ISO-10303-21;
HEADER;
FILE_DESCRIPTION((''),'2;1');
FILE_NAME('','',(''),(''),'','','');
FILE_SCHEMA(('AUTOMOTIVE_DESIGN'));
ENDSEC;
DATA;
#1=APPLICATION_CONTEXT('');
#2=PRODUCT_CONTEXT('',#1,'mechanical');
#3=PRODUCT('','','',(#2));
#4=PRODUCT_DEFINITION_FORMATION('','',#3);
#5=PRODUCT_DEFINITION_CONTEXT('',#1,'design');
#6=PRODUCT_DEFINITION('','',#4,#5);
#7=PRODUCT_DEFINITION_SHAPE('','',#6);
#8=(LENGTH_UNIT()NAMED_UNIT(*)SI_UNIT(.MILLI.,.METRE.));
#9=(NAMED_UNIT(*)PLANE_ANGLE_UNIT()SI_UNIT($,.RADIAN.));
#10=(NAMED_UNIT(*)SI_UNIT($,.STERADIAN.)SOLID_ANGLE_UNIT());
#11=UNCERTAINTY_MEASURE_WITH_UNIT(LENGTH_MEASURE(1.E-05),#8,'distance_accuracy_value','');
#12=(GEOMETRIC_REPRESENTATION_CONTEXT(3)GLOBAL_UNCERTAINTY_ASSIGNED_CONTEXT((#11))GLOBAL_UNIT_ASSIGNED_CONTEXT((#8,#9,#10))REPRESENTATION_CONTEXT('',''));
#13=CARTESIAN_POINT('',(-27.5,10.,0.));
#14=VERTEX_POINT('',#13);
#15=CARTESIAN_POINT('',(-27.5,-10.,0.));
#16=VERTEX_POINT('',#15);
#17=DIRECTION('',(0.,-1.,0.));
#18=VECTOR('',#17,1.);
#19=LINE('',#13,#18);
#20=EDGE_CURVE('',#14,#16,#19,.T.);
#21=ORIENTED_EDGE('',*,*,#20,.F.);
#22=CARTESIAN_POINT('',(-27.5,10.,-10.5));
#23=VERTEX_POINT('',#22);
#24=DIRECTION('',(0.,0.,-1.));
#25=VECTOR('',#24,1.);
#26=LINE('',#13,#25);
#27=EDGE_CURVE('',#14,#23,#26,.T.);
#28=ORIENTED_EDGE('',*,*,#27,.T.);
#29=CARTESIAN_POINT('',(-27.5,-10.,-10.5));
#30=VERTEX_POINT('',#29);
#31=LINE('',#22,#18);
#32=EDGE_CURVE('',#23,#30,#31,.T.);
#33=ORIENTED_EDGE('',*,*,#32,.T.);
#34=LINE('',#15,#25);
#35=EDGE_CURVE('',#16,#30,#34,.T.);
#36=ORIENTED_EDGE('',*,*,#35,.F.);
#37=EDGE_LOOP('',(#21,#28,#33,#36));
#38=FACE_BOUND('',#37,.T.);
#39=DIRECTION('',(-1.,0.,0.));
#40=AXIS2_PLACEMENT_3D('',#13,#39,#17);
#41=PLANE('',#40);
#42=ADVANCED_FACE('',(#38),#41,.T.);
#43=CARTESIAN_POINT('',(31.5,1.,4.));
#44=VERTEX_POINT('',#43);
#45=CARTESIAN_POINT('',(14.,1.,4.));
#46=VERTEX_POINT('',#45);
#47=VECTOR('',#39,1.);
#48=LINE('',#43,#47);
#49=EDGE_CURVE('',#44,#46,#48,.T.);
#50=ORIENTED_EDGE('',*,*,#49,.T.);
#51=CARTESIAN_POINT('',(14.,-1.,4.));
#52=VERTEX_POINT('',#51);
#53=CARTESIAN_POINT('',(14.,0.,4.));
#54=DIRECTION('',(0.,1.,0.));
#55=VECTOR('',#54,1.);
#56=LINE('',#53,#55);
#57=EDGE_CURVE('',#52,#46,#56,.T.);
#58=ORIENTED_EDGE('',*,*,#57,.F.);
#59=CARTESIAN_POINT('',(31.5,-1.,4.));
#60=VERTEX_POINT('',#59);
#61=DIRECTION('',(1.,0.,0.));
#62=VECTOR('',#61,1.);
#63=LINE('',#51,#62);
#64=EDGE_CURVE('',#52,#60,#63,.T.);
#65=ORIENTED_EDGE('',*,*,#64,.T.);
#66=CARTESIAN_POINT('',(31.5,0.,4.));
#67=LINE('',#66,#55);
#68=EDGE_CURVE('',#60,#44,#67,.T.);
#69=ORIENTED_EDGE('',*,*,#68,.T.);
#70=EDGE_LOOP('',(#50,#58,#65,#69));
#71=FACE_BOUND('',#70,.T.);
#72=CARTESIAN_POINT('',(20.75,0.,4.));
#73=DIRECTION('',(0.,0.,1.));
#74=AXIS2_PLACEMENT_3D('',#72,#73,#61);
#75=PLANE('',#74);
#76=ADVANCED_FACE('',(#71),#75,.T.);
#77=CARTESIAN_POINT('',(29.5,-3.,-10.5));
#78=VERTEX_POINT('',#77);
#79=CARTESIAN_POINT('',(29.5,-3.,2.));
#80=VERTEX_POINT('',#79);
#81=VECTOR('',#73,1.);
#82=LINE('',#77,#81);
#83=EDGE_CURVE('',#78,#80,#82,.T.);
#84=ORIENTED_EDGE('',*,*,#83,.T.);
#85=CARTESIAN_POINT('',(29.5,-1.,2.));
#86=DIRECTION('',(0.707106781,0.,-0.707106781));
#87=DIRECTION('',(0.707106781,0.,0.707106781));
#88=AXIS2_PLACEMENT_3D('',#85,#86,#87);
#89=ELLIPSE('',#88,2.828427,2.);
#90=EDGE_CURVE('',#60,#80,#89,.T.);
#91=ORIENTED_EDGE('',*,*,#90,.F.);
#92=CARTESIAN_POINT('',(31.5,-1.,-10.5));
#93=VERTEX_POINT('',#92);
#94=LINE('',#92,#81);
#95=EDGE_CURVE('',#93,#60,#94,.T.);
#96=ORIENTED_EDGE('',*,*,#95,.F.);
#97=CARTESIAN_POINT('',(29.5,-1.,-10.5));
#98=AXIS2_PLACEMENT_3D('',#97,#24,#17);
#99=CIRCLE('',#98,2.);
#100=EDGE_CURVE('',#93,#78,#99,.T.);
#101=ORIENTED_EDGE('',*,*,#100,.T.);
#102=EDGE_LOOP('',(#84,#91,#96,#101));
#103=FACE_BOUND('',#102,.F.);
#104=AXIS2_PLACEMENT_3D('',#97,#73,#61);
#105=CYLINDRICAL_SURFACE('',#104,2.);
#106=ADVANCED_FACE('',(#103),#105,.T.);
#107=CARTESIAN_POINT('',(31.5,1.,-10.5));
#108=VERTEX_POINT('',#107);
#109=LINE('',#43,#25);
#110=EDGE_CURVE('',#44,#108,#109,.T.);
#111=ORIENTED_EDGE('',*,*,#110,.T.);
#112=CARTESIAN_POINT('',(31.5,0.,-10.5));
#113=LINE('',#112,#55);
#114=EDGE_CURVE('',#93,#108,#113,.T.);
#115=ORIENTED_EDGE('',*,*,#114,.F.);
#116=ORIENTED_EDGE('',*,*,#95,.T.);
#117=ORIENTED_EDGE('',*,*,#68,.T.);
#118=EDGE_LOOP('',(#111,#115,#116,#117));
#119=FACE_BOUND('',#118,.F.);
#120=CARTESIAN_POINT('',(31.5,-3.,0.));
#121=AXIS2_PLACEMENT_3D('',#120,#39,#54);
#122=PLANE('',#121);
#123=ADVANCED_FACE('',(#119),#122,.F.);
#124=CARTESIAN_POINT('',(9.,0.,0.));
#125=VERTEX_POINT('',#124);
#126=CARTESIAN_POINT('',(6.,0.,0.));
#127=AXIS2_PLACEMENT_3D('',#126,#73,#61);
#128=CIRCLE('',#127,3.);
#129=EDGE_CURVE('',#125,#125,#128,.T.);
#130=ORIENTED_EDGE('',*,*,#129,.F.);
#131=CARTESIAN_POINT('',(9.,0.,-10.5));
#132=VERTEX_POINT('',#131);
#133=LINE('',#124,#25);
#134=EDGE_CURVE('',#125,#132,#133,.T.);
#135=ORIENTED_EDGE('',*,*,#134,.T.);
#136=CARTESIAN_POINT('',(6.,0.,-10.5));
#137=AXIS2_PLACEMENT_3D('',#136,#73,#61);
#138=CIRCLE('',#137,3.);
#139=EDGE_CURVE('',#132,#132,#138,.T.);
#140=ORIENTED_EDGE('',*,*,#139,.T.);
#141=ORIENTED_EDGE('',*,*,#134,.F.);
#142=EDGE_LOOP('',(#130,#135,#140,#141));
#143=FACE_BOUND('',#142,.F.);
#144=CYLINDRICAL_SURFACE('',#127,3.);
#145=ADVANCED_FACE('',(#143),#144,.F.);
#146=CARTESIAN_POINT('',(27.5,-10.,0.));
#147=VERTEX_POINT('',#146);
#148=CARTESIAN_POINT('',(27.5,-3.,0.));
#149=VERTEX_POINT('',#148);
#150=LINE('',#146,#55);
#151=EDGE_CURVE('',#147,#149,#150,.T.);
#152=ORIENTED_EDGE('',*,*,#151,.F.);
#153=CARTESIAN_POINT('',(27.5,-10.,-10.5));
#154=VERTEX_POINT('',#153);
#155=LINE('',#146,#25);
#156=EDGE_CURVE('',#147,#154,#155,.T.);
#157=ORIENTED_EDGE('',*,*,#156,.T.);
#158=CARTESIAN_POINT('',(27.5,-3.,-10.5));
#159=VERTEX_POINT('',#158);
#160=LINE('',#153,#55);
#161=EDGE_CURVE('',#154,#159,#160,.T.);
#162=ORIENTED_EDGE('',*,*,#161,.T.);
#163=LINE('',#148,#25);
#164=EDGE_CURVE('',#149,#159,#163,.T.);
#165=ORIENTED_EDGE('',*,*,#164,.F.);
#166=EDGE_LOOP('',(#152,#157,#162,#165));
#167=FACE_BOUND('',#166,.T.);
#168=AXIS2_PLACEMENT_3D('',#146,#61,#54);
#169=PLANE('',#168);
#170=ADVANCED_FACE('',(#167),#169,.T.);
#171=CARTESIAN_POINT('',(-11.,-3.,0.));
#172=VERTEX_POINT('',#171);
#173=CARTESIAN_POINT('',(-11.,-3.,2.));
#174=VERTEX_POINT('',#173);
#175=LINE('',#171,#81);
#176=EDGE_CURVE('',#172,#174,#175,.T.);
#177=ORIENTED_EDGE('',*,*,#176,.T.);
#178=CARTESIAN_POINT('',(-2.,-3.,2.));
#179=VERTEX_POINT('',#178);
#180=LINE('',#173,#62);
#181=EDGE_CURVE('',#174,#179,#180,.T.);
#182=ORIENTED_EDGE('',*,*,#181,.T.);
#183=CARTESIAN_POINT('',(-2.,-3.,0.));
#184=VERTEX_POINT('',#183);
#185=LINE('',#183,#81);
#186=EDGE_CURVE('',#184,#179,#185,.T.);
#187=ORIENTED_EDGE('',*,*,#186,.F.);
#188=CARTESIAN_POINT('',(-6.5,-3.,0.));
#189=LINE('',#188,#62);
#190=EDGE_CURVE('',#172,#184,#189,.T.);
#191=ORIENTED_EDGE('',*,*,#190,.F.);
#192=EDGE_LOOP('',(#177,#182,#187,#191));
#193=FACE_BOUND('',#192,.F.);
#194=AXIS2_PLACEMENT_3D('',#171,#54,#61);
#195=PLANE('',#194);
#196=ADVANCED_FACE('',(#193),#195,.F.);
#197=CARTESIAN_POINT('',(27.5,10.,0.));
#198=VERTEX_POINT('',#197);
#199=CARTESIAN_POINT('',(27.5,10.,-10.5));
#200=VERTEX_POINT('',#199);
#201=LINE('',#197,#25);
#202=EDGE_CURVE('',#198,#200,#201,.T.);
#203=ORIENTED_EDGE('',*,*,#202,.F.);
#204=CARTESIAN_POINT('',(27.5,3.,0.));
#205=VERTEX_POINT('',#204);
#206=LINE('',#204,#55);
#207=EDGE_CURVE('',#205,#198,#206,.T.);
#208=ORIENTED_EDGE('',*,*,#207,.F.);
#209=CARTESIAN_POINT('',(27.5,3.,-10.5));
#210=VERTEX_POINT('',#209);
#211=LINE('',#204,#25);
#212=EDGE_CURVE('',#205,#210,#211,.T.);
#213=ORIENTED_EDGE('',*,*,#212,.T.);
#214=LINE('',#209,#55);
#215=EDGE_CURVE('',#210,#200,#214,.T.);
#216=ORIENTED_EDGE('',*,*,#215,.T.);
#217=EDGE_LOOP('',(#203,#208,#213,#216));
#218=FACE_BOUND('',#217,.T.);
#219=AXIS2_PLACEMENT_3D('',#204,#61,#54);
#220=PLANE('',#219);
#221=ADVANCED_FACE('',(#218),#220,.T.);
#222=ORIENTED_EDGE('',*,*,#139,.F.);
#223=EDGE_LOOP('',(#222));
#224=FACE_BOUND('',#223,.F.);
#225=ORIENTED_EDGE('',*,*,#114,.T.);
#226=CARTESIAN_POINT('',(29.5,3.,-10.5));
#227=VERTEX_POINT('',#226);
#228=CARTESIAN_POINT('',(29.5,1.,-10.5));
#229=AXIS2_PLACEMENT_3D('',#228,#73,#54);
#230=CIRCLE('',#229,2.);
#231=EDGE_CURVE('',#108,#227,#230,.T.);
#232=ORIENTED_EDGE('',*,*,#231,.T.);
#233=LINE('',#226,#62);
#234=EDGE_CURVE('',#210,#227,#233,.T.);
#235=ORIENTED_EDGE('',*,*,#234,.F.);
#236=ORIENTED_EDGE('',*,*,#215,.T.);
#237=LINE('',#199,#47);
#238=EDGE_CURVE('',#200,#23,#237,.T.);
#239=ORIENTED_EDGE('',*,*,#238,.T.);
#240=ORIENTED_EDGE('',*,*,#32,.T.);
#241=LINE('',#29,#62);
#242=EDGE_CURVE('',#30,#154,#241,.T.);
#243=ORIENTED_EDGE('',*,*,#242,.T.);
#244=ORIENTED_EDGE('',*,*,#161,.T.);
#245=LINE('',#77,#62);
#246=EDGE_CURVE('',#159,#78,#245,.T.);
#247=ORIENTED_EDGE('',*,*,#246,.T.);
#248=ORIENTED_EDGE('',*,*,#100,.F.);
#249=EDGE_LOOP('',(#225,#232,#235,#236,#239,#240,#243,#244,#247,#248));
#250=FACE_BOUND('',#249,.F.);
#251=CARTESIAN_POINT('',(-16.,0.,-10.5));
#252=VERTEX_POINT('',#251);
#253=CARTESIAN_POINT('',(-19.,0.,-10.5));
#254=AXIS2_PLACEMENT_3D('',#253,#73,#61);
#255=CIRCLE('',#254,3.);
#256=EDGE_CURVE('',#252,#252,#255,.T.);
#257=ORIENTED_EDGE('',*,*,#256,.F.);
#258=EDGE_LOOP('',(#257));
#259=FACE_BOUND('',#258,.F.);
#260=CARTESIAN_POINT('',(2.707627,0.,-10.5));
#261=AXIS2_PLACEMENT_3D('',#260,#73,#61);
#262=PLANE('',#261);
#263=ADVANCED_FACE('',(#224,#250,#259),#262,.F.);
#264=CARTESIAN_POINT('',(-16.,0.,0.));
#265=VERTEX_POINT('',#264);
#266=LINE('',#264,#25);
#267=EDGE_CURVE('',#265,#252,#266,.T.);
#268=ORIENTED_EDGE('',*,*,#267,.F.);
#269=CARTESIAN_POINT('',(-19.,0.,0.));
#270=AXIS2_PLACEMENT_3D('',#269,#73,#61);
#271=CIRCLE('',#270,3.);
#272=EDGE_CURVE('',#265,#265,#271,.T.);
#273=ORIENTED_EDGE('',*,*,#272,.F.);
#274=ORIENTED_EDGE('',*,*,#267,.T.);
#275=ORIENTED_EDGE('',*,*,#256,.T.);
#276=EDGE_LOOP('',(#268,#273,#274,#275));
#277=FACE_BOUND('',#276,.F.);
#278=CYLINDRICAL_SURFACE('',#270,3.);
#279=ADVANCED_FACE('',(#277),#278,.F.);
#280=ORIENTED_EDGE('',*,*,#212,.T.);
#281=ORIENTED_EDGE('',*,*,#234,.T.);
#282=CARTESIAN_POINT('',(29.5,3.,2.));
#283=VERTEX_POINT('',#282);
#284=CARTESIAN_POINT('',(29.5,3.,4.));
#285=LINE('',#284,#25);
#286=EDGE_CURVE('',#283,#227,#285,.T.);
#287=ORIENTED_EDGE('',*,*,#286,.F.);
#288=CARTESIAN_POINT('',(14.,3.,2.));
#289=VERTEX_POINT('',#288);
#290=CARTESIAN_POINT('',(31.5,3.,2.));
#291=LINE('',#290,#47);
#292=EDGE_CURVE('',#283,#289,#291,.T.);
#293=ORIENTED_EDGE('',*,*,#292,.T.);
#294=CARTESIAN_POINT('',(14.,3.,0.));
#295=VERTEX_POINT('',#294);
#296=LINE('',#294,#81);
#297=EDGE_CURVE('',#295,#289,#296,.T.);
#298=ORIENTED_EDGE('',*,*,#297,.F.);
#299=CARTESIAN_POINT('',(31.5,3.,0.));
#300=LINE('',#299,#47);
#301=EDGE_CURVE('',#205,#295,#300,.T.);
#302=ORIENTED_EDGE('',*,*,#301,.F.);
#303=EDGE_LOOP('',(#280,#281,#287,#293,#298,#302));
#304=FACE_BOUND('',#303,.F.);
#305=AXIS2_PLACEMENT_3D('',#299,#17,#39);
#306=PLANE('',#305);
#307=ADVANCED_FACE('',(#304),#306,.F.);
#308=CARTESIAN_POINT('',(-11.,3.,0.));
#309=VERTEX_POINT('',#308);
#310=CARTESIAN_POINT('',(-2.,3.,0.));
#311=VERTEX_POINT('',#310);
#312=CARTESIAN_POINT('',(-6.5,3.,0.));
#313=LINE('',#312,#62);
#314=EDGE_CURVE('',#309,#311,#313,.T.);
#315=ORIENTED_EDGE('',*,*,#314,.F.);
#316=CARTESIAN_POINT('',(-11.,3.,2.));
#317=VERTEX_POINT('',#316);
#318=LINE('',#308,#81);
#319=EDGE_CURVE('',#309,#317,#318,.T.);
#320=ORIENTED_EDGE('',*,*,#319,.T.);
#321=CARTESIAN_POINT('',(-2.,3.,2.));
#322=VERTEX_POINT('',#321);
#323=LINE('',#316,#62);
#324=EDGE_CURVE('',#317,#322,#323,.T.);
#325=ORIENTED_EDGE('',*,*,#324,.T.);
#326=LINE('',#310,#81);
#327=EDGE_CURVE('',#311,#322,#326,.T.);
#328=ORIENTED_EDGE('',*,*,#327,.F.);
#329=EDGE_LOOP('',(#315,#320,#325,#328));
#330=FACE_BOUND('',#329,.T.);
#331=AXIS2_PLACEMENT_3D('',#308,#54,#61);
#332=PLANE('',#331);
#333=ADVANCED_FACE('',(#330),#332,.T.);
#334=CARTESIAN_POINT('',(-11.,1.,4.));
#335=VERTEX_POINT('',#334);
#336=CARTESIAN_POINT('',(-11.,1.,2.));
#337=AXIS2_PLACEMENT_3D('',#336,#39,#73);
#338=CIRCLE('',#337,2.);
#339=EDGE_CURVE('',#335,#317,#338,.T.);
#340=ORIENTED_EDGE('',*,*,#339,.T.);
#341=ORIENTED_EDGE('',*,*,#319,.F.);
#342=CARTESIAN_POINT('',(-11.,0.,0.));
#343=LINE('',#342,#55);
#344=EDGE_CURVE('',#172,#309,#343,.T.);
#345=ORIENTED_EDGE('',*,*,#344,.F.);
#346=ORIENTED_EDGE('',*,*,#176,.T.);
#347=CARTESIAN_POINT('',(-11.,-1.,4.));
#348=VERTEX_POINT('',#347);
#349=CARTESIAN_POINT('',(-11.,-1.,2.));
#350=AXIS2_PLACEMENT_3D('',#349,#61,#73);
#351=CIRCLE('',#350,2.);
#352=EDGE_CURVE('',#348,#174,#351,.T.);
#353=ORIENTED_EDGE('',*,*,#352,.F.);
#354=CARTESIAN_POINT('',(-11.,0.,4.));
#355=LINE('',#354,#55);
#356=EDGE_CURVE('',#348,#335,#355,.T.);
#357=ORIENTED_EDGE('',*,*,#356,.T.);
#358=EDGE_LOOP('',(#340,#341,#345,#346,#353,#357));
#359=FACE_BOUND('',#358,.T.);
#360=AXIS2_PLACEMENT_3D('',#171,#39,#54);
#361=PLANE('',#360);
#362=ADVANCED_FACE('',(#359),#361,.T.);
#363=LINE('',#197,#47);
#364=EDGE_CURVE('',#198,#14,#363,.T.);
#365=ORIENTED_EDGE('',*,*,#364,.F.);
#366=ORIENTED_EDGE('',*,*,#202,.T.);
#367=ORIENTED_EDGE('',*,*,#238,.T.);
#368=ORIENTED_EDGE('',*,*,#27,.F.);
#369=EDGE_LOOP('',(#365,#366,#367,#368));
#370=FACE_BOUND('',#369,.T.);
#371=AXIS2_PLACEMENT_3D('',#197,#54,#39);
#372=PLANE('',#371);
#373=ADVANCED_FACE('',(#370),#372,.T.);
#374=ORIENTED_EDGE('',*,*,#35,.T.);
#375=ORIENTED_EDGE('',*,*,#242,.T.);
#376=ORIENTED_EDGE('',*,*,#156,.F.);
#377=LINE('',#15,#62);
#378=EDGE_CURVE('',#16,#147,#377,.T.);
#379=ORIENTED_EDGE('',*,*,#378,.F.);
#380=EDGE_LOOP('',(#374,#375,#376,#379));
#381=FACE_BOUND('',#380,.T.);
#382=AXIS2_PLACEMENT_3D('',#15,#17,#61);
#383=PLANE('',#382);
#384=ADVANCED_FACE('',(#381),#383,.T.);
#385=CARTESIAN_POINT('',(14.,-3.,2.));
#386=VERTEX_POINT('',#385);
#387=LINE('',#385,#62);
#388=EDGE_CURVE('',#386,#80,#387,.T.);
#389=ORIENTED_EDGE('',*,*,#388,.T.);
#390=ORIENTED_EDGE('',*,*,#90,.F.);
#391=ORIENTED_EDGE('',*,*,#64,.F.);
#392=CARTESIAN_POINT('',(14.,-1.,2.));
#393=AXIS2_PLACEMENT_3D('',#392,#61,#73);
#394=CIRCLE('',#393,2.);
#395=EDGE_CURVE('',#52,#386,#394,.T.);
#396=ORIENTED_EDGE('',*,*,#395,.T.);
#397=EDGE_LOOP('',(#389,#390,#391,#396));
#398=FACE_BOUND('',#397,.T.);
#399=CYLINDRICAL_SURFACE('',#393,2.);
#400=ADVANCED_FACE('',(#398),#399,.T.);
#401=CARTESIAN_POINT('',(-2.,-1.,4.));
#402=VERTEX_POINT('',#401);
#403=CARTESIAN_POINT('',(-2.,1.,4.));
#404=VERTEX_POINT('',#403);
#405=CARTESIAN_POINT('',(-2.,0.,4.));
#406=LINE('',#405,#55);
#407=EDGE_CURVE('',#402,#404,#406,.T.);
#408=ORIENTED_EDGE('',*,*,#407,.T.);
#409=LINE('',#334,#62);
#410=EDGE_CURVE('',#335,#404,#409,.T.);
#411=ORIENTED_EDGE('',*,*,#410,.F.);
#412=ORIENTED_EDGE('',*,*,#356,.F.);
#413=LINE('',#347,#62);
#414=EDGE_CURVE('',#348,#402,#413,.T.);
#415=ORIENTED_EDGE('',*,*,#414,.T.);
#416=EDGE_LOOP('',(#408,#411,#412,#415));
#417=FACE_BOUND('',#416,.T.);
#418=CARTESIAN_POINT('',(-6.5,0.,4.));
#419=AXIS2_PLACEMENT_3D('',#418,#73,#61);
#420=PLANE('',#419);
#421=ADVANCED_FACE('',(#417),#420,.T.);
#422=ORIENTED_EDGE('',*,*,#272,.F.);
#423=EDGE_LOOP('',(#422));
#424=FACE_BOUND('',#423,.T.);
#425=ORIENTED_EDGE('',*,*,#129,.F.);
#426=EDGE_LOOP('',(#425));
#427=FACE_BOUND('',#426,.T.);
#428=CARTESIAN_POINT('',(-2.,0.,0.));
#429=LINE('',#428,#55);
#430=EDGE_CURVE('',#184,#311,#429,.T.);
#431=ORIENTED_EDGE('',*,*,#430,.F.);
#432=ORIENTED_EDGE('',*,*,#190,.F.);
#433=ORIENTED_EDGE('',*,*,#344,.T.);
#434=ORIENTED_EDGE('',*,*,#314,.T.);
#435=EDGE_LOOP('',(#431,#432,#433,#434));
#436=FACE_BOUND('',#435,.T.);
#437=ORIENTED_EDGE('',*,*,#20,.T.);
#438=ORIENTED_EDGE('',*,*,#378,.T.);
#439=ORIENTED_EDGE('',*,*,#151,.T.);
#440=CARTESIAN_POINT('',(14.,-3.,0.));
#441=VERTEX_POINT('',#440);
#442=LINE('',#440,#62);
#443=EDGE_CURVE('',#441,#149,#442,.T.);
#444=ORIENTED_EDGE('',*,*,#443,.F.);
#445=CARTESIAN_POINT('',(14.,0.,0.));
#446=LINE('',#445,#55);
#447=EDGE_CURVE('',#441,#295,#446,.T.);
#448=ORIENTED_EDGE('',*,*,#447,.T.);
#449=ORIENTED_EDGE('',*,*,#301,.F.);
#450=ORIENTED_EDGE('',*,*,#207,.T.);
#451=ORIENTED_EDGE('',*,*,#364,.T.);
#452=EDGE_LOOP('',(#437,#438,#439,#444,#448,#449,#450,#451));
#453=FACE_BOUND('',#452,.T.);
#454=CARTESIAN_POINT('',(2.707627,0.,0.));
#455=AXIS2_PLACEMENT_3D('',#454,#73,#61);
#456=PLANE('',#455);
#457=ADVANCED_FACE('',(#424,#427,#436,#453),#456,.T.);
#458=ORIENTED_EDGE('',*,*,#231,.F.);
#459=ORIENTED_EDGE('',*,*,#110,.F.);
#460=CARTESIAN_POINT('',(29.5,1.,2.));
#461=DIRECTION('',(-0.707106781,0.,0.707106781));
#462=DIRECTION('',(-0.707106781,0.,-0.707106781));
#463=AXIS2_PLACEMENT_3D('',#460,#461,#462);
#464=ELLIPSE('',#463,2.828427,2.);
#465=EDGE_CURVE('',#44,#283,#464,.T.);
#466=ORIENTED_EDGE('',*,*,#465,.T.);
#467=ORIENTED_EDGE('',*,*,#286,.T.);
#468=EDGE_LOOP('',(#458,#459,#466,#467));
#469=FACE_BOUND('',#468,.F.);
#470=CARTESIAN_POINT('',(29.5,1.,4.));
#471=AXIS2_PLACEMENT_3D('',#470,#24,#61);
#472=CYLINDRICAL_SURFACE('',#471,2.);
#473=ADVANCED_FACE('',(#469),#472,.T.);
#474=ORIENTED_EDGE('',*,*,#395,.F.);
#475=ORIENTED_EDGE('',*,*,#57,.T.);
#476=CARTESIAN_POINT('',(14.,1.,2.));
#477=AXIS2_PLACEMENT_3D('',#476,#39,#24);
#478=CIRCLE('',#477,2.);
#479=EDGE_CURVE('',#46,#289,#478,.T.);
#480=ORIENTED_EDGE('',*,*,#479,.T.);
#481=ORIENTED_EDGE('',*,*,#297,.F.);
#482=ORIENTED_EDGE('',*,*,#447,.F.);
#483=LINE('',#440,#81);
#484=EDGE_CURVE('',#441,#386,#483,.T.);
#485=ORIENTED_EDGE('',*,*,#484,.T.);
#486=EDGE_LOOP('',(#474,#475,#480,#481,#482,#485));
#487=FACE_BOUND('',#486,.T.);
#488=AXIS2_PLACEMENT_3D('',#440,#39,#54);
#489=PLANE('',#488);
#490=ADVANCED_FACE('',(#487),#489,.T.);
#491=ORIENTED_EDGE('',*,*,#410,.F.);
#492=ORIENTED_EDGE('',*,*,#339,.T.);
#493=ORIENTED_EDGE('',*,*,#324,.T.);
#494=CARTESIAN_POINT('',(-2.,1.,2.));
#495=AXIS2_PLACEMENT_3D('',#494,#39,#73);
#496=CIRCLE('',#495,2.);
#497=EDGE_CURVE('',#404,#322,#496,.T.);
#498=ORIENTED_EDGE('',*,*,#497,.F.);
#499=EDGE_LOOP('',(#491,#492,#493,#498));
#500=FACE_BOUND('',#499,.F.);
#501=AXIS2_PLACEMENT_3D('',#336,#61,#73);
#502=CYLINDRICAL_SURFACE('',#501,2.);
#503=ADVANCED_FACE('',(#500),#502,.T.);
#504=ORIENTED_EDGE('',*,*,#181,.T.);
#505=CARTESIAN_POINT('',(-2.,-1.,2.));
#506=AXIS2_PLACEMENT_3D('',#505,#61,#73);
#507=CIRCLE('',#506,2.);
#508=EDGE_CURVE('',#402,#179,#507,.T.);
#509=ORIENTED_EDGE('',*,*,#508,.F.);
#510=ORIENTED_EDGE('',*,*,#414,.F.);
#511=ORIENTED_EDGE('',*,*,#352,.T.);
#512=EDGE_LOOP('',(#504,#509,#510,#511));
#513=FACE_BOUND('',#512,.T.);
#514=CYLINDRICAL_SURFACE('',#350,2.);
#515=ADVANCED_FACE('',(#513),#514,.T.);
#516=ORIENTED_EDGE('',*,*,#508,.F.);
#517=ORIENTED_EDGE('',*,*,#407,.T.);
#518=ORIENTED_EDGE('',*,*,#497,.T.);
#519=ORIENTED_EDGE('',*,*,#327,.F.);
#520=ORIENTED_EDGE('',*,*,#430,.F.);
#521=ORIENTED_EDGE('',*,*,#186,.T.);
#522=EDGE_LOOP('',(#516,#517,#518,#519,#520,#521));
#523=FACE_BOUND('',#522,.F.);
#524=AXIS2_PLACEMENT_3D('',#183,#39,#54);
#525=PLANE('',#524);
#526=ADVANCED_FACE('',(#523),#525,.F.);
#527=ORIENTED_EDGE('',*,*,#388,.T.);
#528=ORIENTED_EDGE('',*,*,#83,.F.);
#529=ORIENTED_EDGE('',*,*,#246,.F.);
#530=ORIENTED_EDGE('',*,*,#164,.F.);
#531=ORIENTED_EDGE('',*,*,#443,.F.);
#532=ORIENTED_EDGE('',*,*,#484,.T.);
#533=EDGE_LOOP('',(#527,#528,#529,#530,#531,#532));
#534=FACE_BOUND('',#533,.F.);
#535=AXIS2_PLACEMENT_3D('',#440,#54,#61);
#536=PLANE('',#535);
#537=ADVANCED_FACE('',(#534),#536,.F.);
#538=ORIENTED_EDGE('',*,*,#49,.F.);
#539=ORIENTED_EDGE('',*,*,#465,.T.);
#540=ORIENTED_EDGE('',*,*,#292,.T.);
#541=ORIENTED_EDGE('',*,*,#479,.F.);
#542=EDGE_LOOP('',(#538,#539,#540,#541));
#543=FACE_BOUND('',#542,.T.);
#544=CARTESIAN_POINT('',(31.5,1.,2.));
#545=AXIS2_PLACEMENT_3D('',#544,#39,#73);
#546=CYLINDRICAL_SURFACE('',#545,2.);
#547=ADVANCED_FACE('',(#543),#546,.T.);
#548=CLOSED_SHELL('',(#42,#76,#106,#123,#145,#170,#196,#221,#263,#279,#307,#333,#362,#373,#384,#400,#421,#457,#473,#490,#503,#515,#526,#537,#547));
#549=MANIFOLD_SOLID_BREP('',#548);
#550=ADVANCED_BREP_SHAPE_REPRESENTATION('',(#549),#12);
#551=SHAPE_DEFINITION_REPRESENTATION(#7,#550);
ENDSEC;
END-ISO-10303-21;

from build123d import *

# Parameters (mm, degrees)
F0_R     = 3
F0_W     = 9
F0_H     = 6
F0_W_2   = 4
F0_W_3   = 13.5
F1_DEPTH = 10.5
F2_DEPTH = 4
F3_R     = 2


with BuildPart() as f1:
    # F0 (on Top) → F1 (new body)
    with BuildSketch(Plane.XY):
        Polygon((27.5, 10), (-27.5, 10), (-27.5, -10), (27.5, -10), (27.5, -3), (14, -3), (14, 3), (27.5, 3), align=None)
        with Locations((-19, 0)):
            Circle(F0_R, mode=Mode.SUBTRACT)
        with Locations((-6.5, 0)):
            Rectangle(F0_W, F0_H, mode=Mode.SUBTRACT)
        with Locations((6, 0)):
            Circle(F0_R, mode=Mode.SUBTRACT)
        with Locations((29.5, 0)):
            Rectangle(F0_W_2, F0_H)
        with Locations((20.75, 0)):
            Rectangle(F0_W_3, F0_H)
        with Locations((-6.5, 0)):
            Rectangle(F0_W, F0_H)
    extrude(amount=-F1_DEPTH)

    # F0 (on Top) → F2 (join)
    with BuildSketch(Plane.XY):
        with Locations((20.75, 0)):
            Rectangle(F0_W_3, F0_H)
        with Locations((29.5, 0)):
            Rectangle(F0_W_2, F0_H)
        with Locations((-6.5, 0)):
            Rectangle(F0_W, F0_H)
    extrude(amount=F2_DEPTH)

    # F3
    f3_edges = [f1.edges().sort_by_distance(p)[0] for p in [
        (22.75, -3, 4),
        (22.75, 3, 4),
        (31.5, 3, -3.25),
        (31.5, -3, -3.25),
        (-6.5, 3, 4),
        (-6.5, -3, 4),
    ]]
    fillet(f3_edges, radius=F3_R)


solid = f1.part
